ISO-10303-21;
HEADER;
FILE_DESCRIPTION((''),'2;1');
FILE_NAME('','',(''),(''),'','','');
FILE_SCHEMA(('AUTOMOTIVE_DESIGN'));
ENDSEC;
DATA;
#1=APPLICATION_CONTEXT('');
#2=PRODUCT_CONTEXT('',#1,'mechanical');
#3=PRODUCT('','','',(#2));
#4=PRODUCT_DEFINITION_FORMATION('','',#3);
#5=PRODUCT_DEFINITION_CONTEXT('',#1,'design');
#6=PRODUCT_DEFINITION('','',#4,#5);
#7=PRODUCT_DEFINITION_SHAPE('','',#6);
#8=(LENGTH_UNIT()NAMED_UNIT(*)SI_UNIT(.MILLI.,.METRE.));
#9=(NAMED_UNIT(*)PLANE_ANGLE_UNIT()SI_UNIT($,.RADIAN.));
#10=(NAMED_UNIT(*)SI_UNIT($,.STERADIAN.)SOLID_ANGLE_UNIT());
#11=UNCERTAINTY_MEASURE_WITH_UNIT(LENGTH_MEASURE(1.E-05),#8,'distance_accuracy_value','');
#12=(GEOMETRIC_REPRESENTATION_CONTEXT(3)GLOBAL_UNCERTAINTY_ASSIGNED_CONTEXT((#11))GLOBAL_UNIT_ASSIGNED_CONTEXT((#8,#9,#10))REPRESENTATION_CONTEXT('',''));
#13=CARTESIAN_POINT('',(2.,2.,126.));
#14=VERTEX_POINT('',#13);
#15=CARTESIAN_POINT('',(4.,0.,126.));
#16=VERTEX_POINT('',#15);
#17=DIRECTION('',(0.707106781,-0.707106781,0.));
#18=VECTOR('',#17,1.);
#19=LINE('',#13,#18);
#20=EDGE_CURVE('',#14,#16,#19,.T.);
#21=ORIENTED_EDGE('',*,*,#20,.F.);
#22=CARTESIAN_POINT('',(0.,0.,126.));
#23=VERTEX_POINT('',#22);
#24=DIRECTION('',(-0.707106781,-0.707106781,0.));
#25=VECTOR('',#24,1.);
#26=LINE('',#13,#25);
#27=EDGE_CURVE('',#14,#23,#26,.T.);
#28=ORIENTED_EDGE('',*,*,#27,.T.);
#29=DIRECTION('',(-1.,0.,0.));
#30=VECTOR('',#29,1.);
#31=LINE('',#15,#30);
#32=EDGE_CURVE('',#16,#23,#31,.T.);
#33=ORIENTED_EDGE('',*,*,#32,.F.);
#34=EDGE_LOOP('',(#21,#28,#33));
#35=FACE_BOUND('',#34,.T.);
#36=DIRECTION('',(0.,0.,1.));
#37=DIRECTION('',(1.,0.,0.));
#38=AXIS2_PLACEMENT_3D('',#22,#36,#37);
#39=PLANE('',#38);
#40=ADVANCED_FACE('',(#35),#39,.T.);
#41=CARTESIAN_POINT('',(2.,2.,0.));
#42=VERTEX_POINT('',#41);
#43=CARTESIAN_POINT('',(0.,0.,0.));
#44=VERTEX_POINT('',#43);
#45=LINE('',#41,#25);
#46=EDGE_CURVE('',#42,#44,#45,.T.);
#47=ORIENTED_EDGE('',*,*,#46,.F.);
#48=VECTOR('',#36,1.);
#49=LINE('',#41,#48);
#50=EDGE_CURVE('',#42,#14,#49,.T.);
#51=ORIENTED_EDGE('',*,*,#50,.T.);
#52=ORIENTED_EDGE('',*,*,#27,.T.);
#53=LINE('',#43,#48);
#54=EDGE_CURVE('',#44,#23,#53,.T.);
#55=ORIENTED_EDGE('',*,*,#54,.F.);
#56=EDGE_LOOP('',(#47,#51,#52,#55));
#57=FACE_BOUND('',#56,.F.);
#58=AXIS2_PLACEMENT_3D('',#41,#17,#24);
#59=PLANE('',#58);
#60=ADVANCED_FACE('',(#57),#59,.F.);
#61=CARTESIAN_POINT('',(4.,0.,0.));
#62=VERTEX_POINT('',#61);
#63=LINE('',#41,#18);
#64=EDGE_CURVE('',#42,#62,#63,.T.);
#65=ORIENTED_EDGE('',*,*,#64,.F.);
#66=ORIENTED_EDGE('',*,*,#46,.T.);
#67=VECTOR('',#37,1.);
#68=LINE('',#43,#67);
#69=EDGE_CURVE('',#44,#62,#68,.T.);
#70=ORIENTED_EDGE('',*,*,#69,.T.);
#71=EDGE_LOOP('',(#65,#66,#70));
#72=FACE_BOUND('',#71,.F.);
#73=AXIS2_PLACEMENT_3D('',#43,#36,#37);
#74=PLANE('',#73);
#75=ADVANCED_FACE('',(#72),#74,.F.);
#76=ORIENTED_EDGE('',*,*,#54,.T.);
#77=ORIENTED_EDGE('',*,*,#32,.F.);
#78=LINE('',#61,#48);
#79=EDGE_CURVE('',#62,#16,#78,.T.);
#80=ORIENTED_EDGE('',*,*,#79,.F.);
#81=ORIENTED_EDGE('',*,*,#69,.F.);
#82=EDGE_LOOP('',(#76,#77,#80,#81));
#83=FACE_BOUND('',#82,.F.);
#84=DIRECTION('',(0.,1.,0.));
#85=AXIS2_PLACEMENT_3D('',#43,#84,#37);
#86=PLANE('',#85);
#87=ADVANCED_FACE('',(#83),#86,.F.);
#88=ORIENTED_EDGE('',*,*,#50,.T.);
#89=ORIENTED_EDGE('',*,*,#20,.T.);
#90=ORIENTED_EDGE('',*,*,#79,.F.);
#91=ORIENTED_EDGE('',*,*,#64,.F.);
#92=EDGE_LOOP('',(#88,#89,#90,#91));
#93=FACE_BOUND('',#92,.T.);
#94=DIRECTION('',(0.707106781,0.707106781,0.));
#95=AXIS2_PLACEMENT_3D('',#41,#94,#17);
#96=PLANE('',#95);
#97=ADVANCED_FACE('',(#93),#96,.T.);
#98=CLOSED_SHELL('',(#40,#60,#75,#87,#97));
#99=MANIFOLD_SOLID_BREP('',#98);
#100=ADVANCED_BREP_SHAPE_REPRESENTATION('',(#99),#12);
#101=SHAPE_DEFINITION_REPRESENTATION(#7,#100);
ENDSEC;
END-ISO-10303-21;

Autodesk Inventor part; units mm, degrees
ref_plane "YZ Plane" through (0, 0, 0) normal (1, 0, 0) x (0, 1, 0)
ref_plane "XZ Plane" through (0, 0, 0) normal (0, 1, 0) x (-1, 0, 0)
ref_plane "XY Plane" through (0, 0, 0) normal (0, 0, 1) x (1, 0, 0)
sketch "Sketch1" plane through (0, 0, 0) normal (0, 0, 1) x (1, 0, 0)
  line L0 (0, 0) -> (4, 0)
  line L1 (2, 0) -> (2, 2)
  line L2 (2, 2) -> (0, 0)
  line L3 (2, 2) -> (4, 0)
  dimension "d1" = 90
  dimension "d2" = 2
extrude "Extrusion1" add sketch "Sketch1" along normal blind 126
properties part number "CoinActivator"
